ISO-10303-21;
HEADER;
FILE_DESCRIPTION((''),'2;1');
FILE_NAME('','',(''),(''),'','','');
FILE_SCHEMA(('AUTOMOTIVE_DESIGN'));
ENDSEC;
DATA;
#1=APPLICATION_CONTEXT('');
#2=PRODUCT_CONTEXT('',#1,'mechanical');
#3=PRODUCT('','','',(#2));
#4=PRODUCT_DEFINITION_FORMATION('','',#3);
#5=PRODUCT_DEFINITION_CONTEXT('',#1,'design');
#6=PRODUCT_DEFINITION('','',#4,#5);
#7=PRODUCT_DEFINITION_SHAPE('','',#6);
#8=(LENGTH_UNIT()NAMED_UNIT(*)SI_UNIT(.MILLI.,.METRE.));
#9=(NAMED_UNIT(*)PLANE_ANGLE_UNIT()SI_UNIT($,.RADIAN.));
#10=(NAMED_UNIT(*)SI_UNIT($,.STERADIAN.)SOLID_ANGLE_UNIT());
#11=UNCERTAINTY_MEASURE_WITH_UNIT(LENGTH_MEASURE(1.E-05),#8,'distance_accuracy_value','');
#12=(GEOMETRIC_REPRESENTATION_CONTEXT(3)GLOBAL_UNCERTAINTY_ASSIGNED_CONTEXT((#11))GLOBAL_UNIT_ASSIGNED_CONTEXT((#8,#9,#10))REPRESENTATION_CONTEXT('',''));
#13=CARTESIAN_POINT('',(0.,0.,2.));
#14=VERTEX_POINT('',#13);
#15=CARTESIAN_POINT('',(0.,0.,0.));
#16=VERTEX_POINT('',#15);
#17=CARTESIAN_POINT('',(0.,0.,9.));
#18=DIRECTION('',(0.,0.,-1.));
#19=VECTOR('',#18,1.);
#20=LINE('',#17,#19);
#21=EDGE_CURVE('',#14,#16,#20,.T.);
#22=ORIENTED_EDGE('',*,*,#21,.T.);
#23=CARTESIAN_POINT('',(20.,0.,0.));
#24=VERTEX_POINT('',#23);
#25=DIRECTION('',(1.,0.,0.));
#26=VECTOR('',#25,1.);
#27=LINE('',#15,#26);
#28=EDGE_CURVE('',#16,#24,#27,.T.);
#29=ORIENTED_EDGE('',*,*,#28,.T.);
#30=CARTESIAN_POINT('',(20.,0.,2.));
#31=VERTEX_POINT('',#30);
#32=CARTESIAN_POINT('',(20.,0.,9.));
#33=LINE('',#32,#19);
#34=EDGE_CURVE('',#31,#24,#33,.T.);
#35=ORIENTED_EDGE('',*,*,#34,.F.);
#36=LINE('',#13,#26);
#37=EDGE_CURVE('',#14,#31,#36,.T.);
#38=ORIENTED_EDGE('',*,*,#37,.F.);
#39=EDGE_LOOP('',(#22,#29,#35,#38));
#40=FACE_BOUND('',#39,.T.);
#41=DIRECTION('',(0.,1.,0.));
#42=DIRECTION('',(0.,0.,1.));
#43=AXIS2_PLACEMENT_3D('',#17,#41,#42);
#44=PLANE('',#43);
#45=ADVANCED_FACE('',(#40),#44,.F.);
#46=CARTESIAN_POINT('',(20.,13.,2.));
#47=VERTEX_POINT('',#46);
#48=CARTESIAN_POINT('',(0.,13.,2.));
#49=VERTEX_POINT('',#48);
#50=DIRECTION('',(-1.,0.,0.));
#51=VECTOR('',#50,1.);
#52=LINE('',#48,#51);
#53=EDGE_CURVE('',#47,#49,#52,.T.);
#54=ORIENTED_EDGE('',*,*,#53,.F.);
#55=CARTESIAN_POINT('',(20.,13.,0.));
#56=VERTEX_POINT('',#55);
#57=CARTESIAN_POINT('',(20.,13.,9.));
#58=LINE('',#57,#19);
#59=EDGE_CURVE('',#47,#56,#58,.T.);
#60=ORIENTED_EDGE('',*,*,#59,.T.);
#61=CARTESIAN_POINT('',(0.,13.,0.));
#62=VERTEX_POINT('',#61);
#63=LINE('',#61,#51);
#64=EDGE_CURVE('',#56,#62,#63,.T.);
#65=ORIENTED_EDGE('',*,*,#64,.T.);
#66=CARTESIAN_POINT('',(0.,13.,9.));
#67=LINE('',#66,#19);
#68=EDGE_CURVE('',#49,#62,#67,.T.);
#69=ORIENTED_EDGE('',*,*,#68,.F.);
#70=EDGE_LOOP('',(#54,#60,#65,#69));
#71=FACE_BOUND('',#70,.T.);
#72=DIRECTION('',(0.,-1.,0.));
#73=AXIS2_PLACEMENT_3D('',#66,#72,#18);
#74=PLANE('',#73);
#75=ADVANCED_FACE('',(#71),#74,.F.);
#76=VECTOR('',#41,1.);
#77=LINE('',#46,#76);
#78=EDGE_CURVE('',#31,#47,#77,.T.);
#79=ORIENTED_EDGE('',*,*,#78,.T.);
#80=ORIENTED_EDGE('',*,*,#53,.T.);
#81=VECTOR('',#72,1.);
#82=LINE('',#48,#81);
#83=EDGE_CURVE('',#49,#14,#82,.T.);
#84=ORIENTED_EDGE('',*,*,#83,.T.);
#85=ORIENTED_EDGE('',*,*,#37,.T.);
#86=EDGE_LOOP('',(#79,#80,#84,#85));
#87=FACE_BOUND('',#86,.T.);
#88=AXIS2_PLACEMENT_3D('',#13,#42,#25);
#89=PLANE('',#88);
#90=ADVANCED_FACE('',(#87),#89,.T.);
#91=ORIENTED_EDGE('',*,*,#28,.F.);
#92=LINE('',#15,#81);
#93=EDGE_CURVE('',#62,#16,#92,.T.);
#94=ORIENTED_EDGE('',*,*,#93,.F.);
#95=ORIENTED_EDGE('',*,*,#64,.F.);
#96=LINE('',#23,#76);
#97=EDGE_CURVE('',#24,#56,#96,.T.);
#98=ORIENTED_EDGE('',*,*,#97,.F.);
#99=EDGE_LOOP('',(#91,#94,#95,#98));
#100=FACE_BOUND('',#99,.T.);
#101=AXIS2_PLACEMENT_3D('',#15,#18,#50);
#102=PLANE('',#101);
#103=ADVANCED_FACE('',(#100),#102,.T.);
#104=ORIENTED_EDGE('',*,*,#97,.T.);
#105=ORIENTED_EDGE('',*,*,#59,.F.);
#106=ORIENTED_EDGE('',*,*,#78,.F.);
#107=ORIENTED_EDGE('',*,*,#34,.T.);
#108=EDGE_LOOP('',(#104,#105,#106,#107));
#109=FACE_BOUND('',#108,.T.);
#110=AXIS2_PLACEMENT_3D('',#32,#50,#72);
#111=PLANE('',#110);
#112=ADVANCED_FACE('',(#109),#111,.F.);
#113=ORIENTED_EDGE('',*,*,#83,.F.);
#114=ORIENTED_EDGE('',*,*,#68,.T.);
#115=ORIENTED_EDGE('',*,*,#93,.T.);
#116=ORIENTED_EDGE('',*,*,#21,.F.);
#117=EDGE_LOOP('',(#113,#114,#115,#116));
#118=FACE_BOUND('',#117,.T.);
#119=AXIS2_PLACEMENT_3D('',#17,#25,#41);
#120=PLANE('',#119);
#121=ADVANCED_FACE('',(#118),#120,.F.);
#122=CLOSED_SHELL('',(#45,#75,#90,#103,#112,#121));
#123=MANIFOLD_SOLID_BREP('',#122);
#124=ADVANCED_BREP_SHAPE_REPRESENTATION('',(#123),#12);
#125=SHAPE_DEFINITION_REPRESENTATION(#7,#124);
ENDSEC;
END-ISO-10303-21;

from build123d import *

# Parameters (mm, degrees)
SKETCH1_W           = 20
SKETCH1_H           = 13
BOSS_EXTRUDE1_DEPTH = 9
SKETCH2_W           = 16
SKETCH2_H           = 9
CUT_EXTRUDE1_DEPTH  = 7
SKETCH3_R           = 1.5
CUT_EXTRUDE2_DEPTH  = 7
SKETCH5_W           = 20
SKETCH5_H           = 13
CUT_EXTRUDE4_DEPTH  = 7


with BuildPart() as part:
    # Sketch1 → Boss-Extrude1 (new body)
    with BuildSketch(Plane.XY):
        with Locations((10, 6.5)):
            Rectangle(SKETCH1_W, SKETCH1_H)
    extrude(amount=BOSS_EXTRUDE1_DEPTH)

    # Sketch2 → Cut-Extrude1 (cut)
    with BuildSketch(Plane.XY.offset(9)):
        with Locations((10, 6.5)):
            Rectangle(SKETCH2_W, SKETCH2_H)
    extrude(amount=-CUT_EXTRUDE1_DEPTH, mode=Mode.SUBTRACT)

    # Sketch3 → Cut-Extrude2 (cut)
    with BuildSketch(Plane.XZ):
        with Locations(Location((3.5, 3.5, 0), (0, 0, 270))):
            Circle(SKETCH3_R)
        with Locations(Location((10, 3.5, 0), (0, 0, 270))):
            Circle(SKETCH3_R)
        with Locations(Location((16.5, 3.5, 0), (0, 0, 270))):
            Circle(SKETCH3_R)
    extrude(amount=-CUT_EXTRUDE2_DEPTH, mode=Mode.SUBTRACT)

    # Sketch5 → Cut-Extrude4 (cut)
    with BuildSketch(Plane.XY.offset(9)):
        with Locations((10, 6.5)):
            Rectangle(SKETCH5_W, SKETCH5_H)
    extrude(amount=-CUT_EXTRUDE4_DEPTH, mode=Mode.SUBTRACT)


solid = part.part
